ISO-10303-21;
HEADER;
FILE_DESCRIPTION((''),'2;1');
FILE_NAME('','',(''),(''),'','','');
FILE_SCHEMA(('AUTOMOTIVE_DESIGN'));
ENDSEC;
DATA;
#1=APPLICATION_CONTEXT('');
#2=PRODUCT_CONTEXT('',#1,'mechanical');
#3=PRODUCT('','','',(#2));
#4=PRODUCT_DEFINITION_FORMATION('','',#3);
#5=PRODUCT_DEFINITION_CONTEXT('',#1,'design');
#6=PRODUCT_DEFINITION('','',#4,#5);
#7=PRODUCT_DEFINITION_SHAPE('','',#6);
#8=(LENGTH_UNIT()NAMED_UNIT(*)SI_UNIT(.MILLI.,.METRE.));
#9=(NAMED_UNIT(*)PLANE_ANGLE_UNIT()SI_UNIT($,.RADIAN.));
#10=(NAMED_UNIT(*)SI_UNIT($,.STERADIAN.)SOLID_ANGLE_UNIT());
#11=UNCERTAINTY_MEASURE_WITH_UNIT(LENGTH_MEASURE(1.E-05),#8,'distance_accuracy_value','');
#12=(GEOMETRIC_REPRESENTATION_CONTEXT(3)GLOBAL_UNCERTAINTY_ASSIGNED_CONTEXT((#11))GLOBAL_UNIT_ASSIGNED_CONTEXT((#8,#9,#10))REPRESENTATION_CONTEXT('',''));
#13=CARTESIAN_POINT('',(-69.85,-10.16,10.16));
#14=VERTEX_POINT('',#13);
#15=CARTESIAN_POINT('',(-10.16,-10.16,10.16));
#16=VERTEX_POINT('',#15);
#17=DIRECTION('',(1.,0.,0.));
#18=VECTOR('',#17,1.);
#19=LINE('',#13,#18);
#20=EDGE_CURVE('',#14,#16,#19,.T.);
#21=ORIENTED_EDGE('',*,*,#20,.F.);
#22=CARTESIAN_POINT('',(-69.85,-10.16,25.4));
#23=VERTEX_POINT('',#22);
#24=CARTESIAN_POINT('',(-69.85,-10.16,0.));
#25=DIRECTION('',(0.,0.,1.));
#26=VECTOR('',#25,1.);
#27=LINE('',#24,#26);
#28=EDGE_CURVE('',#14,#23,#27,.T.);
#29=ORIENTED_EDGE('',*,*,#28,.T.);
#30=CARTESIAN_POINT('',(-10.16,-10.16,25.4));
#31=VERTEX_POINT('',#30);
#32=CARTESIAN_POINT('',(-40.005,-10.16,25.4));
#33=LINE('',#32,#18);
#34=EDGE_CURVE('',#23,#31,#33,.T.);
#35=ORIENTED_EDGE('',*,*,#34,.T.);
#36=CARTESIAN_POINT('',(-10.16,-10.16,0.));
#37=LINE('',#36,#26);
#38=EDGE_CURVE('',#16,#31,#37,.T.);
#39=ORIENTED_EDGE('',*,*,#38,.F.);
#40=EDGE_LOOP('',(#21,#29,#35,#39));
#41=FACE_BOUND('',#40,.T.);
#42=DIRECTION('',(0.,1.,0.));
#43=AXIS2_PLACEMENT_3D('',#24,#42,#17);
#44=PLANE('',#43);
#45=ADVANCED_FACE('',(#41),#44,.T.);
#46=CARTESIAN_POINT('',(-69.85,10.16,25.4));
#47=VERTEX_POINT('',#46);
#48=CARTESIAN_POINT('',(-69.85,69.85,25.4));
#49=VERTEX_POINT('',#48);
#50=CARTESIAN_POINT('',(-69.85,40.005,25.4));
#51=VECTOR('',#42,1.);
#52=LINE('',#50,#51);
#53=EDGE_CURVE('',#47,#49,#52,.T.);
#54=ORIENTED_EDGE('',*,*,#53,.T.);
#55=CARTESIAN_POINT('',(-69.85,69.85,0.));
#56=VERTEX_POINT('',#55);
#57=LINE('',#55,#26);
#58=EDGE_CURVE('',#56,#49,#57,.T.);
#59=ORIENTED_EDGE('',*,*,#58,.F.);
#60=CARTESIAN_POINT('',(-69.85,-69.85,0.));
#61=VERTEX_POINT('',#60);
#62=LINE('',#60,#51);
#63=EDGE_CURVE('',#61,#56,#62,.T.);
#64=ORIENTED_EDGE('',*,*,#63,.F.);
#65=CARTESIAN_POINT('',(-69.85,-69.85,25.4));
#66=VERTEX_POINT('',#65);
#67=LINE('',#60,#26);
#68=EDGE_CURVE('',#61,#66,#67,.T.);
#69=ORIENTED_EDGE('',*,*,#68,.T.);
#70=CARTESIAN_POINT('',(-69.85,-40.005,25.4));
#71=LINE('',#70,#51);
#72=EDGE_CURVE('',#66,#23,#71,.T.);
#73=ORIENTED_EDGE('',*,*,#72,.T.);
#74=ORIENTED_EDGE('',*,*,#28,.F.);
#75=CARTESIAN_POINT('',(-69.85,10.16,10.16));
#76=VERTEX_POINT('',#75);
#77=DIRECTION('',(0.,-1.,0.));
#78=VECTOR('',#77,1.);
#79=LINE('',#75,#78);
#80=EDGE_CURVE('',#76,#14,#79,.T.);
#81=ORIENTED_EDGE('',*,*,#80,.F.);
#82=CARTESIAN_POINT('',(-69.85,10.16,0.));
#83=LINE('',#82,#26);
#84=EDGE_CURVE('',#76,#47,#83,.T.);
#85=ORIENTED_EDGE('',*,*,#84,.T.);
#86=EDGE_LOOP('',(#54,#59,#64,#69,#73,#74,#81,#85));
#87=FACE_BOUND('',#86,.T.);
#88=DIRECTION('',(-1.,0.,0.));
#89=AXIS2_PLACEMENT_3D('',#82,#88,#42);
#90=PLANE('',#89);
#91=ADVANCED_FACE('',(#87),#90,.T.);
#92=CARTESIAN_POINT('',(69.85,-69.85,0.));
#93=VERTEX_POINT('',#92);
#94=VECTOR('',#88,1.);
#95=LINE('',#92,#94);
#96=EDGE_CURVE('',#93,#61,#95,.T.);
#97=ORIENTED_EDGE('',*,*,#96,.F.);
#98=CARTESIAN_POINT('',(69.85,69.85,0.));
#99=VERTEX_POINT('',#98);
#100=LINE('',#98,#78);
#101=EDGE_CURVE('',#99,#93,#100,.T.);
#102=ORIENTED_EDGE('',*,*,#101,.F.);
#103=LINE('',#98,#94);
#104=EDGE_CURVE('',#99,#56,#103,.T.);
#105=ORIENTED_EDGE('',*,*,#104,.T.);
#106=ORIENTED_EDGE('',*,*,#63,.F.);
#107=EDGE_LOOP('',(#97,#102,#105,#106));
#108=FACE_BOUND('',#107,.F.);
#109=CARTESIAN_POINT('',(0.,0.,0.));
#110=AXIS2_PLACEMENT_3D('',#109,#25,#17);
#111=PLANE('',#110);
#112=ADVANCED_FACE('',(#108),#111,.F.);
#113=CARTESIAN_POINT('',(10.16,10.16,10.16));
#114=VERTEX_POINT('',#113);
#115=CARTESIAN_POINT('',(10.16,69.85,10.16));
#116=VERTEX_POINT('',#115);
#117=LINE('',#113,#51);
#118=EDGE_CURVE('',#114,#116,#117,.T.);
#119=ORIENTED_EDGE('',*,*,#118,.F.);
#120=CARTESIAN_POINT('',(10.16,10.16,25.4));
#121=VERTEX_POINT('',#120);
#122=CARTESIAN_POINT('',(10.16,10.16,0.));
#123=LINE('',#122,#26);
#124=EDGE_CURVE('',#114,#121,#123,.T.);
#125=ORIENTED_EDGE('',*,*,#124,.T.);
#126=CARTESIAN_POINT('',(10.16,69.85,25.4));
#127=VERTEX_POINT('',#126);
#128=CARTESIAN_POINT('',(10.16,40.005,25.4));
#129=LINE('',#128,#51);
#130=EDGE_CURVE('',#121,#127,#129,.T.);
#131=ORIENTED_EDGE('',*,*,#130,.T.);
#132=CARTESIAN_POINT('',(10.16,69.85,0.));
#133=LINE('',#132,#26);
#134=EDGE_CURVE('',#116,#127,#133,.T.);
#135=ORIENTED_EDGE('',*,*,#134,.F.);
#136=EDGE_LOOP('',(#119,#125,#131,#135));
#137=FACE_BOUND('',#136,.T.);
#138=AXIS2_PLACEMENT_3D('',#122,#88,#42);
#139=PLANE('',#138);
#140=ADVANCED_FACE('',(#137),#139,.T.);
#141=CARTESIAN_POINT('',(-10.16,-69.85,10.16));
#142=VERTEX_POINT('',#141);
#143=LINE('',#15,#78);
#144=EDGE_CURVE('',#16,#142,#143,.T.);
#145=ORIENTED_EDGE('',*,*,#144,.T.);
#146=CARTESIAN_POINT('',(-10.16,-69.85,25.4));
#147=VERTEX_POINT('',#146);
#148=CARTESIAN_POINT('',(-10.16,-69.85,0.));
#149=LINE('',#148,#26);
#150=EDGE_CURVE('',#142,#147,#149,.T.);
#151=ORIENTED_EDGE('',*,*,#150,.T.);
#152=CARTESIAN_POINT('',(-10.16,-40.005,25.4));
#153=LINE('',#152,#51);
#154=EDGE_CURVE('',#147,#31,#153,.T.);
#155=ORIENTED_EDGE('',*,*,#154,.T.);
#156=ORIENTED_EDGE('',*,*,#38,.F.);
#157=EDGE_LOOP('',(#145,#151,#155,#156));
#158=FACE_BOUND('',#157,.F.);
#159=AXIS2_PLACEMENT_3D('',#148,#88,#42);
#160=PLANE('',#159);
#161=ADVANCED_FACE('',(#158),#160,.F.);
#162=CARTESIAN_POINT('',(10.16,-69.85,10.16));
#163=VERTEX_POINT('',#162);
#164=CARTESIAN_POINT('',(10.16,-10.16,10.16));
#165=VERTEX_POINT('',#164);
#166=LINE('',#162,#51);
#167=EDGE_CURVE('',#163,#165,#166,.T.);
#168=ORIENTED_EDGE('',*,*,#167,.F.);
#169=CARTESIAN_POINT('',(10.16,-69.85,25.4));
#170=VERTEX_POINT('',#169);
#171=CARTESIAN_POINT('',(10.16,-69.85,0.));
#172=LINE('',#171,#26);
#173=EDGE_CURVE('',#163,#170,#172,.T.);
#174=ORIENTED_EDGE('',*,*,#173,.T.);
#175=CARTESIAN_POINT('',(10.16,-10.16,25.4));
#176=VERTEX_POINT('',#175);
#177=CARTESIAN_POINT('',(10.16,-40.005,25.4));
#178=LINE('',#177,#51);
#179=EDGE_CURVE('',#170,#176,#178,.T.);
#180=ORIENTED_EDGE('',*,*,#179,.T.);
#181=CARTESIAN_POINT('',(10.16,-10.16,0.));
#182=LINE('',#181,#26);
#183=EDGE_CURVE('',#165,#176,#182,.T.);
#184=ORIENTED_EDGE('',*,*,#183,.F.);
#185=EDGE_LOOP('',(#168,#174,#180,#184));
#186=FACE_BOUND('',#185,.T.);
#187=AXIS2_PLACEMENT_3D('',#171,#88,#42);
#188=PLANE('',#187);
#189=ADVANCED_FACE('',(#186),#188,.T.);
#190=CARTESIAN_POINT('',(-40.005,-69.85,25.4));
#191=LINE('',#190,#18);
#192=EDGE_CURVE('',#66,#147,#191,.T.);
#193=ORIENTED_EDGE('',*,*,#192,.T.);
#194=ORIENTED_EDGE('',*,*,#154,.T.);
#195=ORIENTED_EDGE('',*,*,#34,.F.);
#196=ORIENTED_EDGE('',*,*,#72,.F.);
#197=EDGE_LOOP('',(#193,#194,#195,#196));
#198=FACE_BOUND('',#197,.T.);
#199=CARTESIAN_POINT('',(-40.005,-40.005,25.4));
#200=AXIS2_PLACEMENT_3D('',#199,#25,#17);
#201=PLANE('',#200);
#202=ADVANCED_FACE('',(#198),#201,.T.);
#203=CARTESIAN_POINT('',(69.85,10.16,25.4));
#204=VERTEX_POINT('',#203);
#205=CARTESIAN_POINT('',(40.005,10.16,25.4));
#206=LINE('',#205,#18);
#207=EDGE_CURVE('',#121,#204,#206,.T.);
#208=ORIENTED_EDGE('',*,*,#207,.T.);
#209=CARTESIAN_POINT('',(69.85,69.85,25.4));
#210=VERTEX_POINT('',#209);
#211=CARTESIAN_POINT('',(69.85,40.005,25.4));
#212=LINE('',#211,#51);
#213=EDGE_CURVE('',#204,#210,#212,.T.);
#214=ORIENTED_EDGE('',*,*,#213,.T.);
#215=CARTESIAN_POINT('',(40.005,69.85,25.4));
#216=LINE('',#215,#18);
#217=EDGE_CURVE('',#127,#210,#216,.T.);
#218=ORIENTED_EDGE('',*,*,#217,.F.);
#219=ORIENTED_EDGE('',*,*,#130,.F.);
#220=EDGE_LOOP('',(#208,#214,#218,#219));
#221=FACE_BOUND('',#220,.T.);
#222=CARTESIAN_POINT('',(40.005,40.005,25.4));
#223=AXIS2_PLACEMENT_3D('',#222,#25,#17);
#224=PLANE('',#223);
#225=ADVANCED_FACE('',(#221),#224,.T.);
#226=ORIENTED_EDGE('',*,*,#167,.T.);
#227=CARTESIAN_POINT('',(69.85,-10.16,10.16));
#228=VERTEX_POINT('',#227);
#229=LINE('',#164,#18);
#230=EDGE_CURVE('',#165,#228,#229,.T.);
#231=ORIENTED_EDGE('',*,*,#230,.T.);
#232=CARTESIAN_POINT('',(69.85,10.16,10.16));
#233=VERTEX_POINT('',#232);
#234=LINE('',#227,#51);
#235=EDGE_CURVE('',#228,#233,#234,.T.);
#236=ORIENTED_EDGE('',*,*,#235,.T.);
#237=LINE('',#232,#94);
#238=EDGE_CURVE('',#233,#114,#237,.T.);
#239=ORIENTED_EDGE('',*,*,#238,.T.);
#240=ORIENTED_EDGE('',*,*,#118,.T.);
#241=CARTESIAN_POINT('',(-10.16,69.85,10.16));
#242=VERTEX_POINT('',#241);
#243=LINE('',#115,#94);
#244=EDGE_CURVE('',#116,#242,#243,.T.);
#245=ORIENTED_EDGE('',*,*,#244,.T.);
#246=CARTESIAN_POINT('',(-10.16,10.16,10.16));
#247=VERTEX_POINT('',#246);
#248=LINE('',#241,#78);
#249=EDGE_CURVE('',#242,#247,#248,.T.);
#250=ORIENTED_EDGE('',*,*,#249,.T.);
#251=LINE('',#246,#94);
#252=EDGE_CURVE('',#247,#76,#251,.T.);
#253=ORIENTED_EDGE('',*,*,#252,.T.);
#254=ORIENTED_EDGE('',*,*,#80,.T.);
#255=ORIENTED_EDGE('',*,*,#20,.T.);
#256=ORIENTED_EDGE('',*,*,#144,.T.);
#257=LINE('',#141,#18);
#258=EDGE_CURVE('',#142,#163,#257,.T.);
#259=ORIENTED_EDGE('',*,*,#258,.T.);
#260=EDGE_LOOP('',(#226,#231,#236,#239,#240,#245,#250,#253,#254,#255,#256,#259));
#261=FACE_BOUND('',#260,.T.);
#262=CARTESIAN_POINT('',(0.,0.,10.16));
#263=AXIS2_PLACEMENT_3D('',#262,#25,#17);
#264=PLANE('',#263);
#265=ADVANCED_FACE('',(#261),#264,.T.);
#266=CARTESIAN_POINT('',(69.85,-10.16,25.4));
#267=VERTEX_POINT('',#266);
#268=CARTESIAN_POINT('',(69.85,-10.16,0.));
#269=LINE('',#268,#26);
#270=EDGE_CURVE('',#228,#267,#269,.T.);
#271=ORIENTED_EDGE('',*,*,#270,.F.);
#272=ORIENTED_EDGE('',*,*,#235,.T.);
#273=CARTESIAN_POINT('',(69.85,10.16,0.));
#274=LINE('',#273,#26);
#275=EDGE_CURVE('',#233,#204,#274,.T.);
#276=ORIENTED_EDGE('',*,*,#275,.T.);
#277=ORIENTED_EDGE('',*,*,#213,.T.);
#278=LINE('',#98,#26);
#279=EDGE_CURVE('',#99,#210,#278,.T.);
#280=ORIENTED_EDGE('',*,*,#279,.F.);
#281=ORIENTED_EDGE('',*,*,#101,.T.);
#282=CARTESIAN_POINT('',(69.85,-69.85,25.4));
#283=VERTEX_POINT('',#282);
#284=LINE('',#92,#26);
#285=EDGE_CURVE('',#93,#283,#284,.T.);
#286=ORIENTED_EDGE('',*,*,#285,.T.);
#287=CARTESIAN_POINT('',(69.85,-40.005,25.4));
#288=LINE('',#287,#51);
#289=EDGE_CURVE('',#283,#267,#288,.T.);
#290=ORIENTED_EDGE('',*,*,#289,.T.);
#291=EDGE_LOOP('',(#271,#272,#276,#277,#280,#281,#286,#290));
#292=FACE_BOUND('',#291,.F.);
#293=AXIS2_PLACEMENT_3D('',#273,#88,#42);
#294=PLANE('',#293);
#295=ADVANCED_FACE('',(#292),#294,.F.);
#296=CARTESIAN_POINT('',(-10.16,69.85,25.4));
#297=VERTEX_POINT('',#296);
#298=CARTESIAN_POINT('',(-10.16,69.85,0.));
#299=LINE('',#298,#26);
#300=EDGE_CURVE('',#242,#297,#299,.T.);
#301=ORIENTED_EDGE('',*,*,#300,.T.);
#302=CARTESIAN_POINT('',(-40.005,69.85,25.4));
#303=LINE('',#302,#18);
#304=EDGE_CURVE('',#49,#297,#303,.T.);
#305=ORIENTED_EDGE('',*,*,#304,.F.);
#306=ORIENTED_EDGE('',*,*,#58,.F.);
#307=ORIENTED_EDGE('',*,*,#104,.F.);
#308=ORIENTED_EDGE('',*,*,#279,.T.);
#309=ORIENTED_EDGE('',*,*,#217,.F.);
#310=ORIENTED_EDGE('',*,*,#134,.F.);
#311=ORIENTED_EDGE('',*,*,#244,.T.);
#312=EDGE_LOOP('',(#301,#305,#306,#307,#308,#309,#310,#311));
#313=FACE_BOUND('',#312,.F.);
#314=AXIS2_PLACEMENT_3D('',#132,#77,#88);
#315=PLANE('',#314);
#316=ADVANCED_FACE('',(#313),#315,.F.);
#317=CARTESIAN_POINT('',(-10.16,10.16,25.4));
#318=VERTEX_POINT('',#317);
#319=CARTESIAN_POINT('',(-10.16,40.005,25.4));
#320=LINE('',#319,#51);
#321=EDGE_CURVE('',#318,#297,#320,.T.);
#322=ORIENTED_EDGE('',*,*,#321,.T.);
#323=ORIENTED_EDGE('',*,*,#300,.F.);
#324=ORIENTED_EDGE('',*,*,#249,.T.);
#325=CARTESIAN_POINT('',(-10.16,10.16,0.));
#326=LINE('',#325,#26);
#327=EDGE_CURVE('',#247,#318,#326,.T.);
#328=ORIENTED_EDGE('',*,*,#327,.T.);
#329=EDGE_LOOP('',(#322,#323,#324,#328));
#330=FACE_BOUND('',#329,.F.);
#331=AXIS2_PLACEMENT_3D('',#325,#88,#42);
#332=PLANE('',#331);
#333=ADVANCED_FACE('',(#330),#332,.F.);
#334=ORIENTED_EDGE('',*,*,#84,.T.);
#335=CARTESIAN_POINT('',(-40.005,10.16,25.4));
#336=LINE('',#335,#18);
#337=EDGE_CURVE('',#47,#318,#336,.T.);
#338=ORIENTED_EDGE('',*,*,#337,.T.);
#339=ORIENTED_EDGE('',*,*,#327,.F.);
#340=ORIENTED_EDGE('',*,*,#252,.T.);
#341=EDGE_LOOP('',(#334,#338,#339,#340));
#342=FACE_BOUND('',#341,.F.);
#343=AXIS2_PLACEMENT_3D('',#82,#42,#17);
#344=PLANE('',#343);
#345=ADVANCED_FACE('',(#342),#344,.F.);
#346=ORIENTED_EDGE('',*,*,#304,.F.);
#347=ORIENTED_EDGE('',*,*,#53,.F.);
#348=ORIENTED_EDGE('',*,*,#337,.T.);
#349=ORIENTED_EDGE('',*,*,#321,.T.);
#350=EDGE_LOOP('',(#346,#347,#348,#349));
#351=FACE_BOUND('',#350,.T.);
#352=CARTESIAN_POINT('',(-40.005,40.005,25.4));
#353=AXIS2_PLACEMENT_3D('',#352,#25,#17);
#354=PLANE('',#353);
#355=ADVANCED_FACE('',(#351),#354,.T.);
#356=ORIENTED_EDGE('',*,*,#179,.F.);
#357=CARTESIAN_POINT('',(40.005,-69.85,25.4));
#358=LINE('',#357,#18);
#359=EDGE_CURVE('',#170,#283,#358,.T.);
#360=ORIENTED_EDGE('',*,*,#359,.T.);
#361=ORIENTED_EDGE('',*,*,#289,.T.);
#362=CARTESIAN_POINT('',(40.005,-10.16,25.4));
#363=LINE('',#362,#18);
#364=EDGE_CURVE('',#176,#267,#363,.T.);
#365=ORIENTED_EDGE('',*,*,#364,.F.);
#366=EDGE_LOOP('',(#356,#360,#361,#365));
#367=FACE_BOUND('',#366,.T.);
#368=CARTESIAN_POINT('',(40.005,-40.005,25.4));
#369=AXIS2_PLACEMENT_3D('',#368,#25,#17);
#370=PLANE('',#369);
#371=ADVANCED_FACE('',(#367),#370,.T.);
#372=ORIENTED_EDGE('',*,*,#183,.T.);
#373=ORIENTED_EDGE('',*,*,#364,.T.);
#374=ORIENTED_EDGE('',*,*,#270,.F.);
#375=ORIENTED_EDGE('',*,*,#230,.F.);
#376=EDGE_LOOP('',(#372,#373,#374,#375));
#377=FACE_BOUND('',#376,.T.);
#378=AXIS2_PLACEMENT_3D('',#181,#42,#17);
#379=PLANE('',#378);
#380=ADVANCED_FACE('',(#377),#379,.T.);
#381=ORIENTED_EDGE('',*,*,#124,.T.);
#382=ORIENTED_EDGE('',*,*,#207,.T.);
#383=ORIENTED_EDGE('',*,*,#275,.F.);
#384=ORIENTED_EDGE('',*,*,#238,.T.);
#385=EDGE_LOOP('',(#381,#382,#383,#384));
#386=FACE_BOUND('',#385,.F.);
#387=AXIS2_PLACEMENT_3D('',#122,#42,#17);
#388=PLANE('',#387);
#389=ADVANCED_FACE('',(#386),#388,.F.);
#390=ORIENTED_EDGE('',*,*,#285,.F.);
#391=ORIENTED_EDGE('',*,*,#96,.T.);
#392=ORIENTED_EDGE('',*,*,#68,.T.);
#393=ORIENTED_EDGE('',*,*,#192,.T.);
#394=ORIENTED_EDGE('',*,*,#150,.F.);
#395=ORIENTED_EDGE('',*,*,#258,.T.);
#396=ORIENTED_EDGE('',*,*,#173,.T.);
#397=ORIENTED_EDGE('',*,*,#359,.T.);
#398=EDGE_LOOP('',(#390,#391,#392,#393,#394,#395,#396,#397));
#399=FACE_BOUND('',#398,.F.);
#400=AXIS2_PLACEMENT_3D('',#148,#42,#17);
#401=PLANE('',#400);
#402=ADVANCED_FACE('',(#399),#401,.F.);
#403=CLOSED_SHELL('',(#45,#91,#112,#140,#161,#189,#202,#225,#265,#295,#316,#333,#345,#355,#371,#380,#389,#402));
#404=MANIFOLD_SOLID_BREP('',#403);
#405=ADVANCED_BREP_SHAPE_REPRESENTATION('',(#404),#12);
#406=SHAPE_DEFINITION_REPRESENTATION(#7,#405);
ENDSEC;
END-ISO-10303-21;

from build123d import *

# Parameters (mm, degrees)
F0_W     = 59.69
F0_H     = 59.69
F1_DEPTH = 25.4
F3_DEPTH = 10.16


with BuildPart() as f1:
    # F0 (on Top) → F1 (new body)
    with BuildSketch(Plane.XY):
        with Locations((40.005, 40.005)):
            Rectangle(F0_W, F0_H)
    extrude(amount=F1_DEPTH)



with BuildPart() as f1b:
    # F0 (on Top) → F1, piece 2 (new body)
    with BuildSketch(Plane.XY):
        with Locations((40.005, -40.005)):
            Rectangle(F0_W, F0_H)
    extrude(amount=F1_DEPTH)


with BuildPart() as f1c:
    # F0 (on Top) → F1, piece 3 (new body)
    with BuildSketch(Plane.XY):
        with Locations((-40.005, -40.005)):
            Rectangle(F0_W, F0_H)
    extrude(amount=F1_DEPTH)


with BuildPart() as f1d:
    # F0 (on Top) → F1, piece 4 (new body)
    with BuildSketch(Plane.XY):
        with Locations((-40.005, 40.005)):
            Rectangle(F0_W, F0_H)
    extrude(amount=F1_DEPTH)


with BuildPart() as f1_1:
    add(f1.part)

    add(f1b.part)  # F3 merges F1b

    add(f1c.part)  # F3 merges F1c

    add(f1d.part)  # F3 merges F1d
    # F2 (on Top) → F3 (join)
    with BuildSketch(Plane.XY):
        Polygon((10.16, 69.85), (-10.16, 69.85), (-10.16, 10.16), (-69.85, 10.16), (-69.85, -10.16), (-10.16, -10.16), (-10.16, -69.85), (10.16, -69.85), (10.16, -10.16), (69.85, -10.16), (69.85, 10.16), (10.16, 10.16), align=None)
    extrude(amount=F3_DEPTH)


solid = f1_1.part
